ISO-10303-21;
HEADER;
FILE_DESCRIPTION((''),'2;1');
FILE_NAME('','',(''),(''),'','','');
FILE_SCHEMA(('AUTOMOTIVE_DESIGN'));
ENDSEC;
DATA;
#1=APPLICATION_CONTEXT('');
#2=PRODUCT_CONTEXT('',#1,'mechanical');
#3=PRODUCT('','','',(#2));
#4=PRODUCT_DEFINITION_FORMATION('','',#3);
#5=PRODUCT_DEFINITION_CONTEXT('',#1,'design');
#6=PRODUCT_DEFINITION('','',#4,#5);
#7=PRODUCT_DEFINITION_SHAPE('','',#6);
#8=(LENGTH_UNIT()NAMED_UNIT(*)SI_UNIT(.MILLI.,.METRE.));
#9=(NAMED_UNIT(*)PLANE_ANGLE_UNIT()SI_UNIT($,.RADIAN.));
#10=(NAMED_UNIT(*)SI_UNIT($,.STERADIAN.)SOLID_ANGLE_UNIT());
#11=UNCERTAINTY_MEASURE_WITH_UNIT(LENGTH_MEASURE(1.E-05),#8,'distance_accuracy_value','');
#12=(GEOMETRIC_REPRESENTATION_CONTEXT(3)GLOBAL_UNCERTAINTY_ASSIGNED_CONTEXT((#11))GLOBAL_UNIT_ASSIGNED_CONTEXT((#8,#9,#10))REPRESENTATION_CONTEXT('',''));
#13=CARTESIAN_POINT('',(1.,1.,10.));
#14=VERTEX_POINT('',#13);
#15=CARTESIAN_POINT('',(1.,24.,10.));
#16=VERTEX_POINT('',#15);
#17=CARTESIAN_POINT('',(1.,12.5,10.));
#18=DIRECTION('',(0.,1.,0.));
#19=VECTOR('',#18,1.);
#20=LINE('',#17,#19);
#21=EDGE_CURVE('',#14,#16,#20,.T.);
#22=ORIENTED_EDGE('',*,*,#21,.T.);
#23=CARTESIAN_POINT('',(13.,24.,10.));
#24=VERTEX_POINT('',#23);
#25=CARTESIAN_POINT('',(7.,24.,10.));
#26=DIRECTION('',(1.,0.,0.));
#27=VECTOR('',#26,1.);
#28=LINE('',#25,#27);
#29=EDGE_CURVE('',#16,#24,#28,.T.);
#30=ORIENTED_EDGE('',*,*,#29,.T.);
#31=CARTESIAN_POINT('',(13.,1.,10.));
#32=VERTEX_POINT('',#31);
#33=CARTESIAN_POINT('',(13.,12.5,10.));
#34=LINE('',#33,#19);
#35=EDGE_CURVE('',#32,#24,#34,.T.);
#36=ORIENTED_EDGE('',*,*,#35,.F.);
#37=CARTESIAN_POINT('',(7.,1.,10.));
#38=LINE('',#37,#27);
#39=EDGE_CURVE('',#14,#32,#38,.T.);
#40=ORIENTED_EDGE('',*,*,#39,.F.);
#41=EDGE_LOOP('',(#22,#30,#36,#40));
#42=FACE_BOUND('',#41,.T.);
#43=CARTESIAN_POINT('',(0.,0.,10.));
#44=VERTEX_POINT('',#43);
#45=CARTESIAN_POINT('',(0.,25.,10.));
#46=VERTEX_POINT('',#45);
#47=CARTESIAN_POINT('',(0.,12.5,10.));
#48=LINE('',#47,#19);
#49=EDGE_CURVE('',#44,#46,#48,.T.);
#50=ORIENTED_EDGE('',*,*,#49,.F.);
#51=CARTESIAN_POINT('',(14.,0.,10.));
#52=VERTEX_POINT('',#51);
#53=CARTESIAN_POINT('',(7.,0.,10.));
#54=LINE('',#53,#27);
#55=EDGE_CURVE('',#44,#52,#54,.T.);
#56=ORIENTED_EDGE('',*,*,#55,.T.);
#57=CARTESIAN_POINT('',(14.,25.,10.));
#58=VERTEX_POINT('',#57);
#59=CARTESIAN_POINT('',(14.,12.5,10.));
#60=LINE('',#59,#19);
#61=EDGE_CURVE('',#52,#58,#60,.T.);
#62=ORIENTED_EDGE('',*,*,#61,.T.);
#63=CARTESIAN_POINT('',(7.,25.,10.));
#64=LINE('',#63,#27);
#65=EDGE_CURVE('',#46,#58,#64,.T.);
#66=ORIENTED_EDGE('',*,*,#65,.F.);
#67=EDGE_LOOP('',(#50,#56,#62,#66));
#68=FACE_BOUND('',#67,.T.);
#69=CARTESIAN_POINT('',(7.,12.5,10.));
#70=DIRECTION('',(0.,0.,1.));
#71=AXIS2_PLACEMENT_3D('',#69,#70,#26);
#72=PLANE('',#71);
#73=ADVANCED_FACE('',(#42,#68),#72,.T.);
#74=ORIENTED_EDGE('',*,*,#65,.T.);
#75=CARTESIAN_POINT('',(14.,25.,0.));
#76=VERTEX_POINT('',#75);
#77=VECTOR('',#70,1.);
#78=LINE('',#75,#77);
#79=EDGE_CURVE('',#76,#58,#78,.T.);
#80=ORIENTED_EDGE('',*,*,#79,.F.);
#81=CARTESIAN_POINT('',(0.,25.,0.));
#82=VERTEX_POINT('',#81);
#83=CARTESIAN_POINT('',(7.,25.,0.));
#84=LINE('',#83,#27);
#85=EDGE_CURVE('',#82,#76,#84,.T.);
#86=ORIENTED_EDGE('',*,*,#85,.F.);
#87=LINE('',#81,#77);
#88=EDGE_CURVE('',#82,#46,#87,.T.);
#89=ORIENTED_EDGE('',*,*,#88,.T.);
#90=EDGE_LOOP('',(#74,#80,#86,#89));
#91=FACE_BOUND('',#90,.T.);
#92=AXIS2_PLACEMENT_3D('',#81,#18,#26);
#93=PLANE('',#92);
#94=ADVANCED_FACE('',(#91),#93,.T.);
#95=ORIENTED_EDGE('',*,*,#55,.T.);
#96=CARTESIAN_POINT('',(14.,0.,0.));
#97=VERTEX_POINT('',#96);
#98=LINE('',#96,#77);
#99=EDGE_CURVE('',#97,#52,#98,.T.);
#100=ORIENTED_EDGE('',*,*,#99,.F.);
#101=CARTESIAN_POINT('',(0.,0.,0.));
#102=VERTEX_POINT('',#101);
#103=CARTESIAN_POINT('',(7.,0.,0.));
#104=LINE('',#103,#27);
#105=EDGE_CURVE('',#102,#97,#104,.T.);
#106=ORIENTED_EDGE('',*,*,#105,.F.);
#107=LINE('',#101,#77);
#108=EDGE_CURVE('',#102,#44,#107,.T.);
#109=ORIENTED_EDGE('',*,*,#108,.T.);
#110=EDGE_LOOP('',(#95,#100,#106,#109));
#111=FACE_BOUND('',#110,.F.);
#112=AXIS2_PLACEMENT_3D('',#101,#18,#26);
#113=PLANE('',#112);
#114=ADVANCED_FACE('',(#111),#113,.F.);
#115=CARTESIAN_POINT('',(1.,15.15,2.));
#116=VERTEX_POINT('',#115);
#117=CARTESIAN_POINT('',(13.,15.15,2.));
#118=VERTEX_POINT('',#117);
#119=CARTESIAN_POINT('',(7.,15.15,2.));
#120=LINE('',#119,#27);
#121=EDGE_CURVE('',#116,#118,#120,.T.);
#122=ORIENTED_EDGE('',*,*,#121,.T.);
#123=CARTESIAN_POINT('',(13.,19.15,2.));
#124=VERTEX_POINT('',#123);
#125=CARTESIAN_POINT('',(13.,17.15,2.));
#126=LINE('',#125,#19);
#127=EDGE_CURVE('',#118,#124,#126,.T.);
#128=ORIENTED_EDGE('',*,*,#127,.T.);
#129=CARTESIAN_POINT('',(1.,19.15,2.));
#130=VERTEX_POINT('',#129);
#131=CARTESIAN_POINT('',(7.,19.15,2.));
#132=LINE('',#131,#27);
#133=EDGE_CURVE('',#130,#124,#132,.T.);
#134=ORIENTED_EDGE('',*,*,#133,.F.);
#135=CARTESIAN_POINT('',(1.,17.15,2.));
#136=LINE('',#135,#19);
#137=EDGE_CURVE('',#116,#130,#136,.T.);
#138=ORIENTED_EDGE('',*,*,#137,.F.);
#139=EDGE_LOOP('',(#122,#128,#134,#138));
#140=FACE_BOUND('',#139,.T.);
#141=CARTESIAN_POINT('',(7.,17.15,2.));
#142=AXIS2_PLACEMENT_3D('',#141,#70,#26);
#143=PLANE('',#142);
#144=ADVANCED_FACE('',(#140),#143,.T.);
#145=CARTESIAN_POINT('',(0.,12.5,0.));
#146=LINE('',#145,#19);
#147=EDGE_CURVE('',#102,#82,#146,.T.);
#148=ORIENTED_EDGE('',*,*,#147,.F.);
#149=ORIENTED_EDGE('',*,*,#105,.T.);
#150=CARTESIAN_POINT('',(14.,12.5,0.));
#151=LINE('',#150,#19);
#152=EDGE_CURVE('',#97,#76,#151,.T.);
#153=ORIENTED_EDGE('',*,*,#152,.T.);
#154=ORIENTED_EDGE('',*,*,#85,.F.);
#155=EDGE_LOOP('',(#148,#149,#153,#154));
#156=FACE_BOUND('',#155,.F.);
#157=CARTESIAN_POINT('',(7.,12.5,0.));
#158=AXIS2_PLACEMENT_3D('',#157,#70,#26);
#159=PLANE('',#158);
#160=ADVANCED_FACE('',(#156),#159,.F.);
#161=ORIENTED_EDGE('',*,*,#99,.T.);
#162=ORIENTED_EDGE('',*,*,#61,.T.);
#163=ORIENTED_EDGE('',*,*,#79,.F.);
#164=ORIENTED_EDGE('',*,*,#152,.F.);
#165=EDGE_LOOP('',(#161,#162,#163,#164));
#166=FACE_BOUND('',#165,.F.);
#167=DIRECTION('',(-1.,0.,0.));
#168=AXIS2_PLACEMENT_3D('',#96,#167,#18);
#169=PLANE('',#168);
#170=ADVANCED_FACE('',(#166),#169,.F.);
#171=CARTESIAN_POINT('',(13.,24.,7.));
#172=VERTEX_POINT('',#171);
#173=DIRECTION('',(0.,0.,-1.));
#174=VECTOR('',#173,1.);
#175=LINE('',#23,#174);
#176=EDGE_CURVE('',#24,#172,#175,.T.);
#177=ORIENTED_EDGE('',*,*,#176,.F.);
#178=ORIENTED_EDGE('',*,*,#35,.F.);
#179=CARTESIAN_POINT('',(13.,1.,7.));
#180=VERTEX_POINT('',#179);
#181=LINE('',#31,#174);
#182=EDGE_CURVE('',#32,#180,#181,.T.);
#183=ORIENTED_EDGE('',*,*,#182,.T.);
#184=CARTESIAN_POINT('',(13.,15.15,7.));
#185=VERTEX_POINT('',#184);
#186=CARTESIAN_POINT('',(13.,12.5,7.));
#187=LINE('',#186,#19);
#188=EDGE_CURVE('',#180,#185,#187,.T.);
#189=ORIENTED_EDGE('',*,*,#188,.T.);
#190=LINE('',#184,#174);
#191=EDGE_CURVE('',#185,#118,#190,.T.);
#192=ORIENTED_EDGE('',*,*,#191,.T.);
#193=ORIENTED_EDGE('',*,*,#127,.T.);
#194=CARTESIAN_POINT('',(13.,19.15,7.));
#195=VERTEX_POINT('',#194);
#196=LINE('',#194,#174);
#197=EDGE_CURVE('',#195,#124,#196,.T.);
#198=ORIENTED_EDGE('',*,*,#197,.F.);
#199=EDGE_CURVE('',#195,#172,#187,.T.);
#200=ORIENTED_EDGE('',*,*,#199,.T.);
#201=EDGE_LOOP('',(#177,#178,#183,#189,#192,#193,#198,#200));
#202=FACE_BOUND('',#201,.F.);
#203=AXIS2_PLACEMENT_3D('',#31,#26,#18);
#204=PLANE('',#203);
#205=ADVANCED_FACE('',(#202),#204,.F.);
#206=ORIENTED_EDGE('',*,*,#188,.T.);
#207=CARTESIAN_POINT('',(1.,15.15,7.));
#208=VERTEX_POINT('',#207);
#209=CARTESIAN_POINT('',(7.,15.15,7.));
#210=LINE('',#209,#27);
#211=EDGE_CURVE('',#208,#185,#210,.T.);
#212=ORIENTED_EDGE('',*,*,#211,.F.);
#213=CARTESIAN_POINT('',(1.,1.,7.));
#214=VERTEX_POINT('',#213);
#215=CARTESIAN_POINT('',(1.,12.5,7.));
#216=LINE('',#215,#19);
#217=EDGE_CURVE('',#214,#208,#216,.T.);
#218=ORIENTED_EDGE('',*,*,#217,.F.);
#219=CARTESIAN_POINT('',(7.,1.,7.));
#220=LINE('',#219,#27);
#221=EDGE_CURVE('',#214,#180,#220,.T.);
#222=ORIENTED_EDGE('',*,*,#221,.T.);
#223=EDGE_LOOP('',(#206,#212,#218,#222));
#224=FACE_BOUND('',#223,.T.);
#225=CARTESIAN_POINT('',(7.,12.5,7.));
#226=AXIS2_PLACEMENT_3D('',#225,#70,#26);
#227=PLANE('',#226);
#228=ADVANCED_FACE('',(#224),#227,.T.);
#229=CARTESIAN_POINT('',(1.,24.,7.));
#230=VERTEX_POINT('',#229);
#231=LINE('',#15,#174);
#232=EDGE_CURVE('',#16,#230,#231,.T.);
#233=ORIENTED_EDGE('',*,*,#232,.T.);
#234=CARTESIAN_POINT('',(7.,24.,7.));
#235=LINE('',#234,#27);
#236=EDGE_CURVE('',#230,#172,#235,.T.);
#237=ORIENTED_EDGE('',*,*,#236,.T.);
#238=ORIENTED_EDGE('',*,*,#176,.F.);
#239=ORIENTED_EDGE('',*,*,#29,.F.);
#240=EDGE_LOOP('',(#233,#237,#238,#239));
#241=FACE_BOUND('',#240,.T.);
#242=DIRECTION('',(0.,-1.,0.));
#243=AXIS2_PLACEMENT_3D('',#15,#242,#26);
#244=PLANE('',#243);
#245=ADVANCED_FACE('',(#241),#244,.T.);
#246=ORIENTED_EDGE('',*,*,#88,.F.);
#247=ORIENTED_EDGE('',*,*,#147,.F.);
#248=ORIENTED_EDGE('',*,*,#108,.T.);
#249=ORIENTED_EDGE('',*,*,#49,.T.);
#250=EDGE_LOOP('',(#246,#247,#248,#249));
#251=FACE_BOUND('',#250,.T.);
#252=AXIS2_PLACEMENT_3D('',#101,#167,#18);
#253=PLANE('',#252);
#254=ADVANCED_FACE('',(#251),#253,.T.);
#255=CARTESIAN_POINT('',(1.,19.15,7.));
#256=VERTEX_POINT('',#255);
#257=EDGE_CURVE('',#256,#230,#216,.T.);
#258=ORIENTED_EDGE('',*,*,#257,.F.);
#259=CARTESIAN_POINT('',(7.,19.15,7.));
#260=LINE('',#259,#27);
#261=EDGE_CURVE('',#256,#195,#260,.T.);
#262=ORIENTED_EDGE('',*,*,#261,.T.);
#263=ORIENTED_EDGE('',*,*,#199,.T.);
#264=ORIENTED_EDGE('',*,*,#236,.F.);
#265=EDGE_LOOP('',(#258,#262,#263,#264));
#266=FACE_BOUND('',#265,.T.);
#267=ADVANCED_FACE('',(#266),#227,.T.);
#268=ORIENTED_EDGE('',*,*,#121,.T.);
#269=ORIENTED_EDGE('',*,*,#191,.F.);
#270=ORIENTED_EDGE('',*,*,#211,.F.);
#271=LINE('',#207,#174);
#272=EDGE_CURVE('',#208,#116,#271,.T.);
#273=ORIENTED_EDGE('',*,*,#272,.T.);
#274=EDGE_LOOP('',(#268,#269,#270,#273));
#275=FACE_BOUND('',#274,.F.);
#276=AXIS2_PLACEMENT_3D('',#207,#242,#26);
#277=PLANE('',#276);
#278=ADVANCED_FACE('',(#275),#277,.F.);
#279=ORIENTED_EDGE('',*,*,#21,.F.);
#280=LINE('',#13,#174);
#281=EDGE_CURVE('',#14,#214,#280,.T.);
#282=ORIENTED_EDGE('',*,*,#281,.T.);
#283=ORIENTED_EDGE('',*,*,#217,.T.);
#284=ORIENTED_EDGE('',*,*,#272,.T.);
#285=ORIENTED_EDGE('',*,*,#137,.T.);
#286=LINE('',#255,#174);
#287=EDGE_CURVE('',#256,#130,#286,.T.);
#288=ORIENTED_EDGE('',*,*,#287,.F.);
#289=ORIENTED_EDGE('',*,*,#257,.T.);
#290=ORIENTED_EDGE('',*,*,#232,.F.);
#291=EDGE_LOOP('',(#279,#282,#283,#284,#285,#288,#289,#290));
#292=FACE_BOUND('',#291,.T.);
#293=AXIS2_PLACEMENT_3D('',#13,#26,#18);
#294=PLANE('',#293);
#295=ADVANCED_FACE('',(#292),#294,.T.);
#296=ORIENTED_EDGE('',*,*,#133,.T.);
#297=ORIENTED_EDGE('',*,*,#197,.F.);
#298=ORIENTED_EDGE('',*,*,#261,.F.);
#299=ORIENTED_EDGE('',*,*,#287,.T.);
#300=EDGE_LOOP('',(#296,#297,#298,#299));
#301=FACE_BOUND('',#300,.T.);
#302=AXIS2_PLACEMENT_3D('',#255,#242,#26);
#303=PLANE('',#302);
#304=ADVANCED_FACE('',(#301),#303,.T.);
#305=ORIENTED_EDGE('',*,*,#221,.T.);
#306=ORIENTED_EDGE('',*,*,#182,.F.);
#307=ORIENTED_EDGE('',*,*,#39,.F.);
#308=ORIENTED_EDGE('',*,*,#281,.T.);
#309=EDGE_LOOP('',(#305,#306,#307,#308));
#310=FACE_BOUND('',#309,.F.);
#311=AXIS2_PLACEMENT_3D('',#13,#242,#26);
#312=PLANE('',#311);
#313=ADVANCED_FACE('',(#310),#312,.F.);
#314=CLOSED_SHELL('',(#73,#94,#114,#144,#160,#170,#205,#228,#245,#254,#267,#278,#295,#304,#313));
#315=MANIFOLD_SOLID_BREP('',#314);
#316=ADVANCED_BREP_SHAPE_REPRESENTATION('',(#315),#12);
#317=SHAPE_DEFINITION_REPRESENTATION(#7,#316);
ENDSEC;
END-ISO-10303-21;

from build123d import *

# Parameters (mm, degrees)
SKETCH_W        = 14
SKETCH_H        = 25
PAD_DEPTH       = 10
SKETCH001_W     = 12
SKETCH001_H     = 23
POCKET_DEPTH    = 3
SKETCH002_W     = 12
SKETCH002_H     = 4
POCKET001_DEPTH = 5


with BuildPart() as part:
    # Sketch → Pad (new body)
    with BuildSketch(Plane.XY):
        with Locations((7, 12.5)):
            Rectangle(SKETCH_W, SKETCH_H)
    extrude(amount=PAD_DEPTH)

    # Sketch001 (on Face6 of Pad) → Pocket (cut)
    with BuildSketch(Plane.XY.offset(10)):
        with Locations((7, 12.5)):
            Rectangle(SKETCH001_W, SKETCH001_H)
    extrude(amount=-POCKET_DEPTH, mode=Mode.SUBTRACT)

    # Sketch002 (on Face11 of Pocket) → Pocket001 (cut)
    with BuildSketch(Plane.XY.offset(7)):
        with Locations((7, 17.15)):
            Rectangle(SKETCH002_W, SKETCH002_H)
    extrude(amount=-POCKET001_DEPTH, mode=Mode.SUBTRACT)


solid = part.part
